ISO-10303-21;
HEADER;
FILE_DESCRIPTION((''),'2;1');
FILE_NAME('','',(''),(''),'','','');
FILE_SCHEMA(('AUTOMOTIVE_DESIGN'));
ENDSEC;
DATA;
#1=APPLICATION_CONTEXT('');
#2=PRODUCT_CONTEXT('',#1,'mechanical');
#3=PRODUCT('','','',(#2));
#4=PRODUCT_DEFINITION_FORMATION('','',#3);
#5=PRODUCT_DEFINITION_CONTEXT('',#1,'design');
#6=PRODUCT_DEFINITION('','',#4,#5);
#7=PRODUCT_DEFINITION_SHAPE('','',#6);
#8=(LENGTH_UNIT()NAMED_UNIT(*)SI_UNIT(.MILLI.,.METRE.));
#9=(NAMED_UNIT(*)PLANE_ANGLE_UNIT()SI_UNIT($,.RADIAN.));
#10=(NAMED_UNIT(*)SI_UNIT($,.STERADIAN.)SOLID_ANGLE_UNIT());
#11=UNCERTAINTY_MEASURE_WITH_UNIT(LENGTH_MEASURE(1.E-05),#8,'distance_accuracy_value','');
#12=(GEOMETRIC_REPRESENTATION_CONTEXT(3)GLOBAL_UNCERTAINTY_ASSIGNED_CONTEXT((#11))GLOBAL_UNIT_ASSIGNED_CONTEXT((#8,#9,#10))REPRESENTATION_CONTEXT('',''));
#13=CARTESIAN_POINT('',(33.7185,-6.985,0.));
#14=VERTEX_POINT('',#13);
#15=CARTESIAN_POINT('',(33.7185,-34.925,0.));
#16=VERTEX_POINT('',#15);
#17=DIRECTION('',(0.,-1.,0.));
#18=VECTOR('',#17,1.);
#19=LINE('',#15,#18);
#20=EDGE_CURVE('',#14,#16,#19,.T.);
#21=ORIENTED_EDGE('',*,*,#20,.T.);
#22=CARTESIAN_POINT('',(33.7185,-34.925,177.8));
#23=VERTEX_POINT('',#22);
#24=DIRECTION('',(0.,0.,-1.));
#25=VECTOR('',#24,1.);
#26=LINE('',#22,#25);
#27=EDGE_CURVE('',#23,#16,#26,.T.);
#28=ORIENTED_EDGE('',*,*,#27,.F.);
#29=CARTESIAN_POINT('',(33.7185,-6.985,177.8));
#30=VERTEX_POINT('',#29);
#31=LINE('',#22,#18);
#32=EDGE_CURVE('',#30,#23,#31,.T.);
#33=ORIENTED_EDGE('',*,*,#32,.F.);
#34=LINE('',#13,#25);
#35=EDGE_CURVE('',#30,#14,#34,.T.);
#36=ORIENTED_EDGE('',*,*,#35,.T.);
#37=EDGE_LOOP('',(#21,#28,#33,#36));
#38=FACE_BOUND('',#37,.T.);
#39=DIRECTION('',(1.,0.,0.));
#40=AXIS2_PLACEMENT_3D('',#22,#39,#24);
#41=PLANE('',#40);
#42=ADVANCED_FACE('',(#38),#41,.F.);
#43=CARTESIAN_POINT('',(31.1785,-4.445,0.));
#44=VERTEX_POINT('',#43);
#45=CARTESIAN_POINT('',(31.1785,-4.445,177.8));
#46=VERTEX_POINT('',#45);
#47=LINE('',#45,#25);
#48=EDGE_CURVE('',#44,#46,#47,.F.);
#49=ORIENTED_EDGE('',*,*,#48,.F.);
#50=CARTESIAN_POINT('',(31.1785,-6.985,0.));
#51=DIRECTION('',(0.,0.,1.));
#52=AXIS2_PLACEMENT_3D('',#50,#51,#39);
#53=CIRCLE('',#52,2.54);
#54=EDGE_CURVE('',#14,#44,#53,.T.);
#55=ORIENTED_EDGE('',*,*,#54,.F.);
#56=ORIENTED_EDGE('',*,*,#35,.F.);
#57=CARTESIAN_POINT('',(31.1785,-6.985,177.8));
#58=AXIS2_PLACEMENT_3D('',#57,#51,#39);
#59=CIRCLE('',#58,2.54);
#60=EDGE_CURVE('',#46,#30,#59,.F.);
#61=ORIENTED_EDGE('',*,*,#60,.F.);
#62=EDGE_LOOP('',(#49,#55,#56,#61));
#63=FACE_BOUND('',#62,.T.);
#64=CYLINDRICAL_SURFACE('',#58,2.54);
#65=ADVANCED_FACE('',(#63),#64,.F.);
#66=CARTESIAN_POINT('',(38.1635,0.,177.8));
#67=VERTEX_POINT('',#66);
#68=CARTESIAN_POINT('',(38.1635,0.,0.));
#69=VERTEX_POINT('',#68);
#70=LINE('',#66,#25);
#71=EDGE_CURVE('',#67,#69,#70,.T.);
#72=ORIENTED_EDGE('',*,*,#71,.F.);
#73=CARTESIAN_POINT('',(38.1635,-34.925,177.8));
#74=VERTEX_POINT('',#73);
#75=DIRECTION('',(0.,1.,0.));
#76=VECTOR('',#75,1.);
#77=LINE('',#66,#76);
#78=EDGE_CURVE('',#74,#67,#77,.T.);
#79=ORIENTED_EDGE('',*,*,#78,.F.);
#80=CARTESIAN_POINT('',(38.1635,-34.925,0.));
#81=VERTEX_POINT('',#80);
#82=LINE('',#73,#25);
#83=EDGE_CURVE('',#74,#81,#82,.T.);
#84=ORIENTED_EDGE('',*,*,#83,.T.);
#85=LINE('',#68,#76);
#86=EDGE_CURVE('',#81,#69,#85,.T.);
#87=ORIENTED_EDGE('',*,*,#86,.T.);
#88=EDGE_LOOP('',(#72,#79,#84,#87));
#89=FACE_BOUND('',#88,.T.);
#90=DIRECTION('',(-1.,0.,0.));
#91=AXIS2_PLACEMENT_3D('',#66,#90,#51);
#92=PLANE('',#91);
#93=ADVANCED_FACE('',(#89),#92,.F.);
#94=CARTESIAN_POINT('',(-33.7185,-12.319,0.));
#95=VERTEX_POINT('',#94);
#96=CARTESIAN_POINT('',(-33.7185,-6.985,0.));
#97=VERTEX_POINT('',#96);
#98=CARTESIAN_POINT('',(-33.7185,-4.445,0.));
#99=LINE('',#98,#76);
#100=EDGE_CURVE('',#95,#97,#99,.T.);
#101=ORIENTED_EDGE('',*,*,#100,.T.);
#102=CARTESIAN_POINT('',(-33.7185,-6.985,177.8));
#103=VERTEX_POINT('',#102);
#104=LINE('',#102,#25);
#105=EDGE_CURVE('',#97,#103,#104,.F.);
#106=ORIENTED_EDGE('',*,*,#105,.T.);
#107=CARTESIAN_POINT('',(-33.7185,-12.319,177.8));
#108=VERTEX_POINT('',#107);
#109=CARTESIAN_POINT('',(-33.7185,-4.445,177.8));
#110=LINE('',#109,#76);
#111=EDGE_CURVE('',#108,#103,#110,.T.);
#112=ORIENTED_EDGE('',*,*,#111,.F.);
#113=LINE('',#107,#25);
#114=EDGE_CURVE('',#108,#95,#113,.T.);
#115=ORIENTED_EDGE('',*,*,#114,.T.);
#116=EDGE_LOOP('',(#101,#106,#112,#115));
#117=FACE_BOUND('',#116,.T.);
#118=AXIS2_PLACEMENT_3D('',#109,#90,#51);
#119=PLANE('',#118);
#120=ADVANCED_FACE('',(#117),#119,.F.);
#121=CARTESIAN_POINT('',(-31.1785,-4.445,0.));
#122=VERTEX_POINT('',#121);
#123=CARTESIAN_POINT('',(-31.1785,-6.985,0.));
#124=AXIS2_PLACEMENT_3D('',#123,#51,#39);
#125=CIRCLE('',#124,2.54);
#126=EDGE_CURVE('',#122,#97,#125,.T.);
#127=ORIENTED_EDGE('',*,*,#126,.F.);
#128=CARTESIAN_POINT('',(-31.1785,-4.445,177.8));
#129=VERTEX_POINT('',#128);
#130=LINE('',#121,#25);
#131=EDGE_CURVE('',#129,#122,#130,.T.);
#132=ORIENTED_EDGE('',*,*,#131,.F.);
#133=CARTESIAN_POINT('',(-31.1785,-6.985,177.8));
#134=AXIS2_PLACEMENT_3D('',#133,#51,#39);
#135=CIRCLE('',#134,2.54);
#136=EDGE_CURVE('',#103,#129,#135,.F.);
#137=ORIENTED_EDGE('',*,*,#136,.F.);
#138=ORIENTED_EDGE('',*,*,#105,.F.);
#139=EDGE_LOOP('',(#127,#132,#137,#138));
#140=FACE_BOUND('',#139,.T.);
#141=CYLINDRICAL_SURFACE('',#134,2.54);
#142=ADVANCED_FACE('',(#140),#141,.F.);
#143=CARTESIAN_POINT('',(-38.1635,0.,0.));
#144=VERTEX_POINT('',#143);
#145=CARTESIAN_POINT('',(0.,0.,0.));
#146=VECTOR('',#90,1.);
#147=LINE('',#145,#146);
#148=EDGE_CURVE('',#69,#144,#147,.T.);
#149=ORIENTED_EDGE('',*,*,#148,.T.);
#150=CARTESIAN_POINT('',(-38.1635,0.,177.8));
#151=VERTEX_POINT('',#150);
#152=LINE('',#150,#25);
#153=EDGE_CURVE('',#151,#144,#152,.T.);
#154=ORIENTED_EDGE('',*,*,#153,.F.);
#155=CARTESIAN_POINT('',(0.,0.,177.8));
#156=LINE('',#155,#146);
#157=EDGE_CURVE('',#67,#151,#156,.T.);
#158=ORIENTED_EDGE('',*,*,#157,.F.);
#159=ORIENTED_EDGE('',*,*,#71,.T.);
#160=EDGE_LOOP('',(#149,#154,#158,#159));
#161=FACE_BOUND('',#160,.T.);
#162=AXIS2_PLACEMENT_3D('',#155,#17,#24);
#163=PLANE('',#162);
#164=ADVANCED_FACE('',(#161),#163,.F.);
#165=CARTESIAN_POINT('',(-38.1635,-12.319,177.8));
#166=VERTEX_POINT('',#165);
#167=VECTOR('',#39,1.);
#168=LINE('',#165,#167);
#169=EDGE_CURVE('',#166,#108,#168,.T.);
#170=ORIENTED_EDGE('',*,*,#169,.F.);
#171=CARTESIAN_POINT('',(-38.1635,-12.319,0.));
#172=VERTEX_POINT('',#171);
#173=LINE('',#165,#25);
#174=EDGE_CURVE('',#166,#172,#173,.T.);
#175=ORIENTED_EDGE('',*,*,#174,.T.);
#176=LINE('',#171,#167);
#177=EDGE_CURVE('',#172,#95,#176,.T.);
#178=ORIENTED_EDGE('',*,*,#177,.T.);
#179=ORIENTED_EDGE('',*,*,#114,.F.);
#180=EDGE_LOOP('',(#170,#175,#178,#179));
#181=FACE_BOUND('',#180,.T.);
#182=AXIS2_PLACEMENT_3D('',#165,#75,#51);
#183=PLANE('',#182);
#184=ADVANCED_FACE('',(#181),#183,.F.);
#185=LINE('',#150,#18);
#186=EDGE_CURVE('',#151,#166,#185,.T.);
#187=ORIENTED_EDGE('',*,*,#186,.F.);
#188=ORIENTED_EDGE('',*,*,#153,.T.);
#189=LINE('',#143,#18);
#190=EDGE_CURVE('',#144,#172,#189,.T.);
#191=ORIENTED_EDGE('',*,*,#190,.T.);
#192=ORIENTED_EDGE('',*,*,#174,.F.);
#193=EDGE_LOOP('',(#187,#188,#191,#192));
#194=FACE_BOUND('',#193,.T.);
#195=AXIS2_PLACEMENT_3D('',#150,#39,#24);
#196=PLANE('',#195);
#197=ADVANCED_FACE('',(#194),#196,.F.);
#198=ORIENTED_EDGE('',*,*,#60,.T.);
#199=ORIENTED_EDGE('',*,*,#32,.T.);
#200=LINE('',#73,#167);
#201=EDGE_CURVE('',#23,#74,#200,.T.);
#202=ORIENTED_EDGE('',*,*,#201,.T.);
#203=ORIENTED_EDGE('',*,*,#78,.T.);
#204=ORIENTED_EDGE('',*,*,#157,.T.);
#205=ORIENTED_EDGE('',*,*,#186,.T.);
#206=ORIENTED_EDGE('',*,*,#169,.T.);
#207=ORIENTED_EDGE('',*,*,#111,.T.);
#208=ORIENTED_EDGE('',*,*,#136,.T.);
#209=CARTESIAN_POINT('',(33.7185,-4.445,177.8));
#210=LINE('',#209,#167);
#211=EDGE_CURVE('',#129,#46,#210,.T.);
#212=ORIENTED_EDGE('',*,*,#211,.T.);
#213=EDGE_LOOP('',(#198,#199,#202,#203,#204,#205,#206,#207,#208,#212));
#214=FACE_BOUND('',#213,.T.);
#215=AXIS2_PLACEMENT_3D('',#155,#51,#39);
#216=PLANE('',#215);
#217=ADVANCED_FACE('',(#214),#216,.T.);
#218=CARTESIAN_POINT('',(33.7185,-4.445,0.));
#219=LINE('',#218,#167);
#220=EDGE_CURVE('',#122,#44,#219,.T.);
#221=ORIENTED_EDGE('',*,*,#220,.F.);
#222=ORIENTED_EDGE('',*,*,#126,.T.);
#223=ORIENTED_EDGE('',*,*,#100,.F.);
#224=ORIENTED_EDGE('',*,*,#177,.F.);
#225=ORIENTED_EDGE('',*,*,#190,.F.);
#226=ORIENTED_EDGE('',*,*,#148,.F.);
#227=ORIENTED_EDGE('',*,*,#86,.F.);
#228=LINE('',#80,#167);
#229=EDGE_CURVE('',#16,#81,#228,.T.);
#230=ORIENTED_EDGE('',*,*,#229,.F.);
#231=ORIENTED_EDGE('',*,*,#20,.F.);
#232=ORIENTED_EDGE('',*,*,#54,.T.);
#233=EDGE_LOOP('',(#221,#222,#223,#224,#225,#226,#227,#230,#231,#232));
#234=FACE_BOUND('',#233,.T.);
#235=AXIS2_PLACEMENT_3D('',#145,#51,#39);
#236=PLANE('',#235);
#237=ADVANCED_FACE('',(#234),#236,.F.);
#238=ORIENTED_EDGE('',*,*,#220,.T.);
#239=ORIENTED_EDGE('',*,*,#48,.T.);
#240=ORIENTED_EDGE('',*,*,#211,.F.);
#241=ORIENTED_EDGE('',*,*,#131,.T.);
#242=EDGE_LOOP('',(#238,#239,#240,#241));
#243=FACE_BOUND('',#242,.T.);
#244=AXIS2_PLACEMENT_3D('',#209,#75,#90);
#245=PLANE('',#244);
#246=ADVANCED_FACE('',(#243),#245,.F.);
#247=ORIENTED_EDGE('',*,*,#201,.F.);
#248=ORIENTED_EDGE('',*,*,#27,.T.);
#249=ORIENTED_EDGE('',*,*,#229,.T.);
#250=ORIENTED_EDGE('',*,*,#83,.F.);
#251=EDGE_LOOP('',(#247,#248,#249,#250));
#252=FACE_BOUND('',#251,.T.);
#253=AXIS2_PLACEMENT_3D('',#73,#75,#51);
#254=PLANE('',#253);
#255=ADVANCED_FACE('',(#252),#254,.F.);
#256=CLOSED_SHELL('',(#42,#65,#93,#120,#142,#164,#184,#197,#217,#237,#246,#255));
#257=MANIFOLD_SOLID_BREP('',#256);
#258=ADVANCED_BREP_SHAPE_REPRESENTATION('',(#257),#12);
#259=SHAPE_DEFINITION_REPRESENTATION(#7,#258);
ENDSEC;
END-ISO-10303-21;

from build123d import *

# Parameters (mm, degrees)
BOSS_EXTRUDE1_DEPTH = 177.8
FILLET1_R           = 2.54
FILLET2_R           = 2.54


with BuildPart() as part:
    # Sketch1 → Boss-Extrude1 (new body)
    with BuildSketch(Plane.XY):
        Polygon((0, 0), (38.1635, 0), (38.1635, -34.925), (33.7185, -34.925), (33.7185, -4.445), (-33.7185, -4.445), (-33.7185, -12.319), (-38.1635, -12.319), (-38.1635, 0), align=None)
    extrude(amount=BOSS_EXTRUDE1_DEPTH)

    # Fillet1
    fillet1_edges = [part.edges().sort_by_distance(p)[0] for p in [
        (33.7185, -4.445, 88.9),
    ]]
    fillet(fillet1_edges, radius=FILLET1_R)

    # Fillet2
    fillet2_edges = [part.edges().sort_by_distance(p)[0] for p in [
        (-33.7185, -4.445, 88.9),
    ]]
    fillet(fillet2_edges, radius=FILLET2_R)


solid = part.part
